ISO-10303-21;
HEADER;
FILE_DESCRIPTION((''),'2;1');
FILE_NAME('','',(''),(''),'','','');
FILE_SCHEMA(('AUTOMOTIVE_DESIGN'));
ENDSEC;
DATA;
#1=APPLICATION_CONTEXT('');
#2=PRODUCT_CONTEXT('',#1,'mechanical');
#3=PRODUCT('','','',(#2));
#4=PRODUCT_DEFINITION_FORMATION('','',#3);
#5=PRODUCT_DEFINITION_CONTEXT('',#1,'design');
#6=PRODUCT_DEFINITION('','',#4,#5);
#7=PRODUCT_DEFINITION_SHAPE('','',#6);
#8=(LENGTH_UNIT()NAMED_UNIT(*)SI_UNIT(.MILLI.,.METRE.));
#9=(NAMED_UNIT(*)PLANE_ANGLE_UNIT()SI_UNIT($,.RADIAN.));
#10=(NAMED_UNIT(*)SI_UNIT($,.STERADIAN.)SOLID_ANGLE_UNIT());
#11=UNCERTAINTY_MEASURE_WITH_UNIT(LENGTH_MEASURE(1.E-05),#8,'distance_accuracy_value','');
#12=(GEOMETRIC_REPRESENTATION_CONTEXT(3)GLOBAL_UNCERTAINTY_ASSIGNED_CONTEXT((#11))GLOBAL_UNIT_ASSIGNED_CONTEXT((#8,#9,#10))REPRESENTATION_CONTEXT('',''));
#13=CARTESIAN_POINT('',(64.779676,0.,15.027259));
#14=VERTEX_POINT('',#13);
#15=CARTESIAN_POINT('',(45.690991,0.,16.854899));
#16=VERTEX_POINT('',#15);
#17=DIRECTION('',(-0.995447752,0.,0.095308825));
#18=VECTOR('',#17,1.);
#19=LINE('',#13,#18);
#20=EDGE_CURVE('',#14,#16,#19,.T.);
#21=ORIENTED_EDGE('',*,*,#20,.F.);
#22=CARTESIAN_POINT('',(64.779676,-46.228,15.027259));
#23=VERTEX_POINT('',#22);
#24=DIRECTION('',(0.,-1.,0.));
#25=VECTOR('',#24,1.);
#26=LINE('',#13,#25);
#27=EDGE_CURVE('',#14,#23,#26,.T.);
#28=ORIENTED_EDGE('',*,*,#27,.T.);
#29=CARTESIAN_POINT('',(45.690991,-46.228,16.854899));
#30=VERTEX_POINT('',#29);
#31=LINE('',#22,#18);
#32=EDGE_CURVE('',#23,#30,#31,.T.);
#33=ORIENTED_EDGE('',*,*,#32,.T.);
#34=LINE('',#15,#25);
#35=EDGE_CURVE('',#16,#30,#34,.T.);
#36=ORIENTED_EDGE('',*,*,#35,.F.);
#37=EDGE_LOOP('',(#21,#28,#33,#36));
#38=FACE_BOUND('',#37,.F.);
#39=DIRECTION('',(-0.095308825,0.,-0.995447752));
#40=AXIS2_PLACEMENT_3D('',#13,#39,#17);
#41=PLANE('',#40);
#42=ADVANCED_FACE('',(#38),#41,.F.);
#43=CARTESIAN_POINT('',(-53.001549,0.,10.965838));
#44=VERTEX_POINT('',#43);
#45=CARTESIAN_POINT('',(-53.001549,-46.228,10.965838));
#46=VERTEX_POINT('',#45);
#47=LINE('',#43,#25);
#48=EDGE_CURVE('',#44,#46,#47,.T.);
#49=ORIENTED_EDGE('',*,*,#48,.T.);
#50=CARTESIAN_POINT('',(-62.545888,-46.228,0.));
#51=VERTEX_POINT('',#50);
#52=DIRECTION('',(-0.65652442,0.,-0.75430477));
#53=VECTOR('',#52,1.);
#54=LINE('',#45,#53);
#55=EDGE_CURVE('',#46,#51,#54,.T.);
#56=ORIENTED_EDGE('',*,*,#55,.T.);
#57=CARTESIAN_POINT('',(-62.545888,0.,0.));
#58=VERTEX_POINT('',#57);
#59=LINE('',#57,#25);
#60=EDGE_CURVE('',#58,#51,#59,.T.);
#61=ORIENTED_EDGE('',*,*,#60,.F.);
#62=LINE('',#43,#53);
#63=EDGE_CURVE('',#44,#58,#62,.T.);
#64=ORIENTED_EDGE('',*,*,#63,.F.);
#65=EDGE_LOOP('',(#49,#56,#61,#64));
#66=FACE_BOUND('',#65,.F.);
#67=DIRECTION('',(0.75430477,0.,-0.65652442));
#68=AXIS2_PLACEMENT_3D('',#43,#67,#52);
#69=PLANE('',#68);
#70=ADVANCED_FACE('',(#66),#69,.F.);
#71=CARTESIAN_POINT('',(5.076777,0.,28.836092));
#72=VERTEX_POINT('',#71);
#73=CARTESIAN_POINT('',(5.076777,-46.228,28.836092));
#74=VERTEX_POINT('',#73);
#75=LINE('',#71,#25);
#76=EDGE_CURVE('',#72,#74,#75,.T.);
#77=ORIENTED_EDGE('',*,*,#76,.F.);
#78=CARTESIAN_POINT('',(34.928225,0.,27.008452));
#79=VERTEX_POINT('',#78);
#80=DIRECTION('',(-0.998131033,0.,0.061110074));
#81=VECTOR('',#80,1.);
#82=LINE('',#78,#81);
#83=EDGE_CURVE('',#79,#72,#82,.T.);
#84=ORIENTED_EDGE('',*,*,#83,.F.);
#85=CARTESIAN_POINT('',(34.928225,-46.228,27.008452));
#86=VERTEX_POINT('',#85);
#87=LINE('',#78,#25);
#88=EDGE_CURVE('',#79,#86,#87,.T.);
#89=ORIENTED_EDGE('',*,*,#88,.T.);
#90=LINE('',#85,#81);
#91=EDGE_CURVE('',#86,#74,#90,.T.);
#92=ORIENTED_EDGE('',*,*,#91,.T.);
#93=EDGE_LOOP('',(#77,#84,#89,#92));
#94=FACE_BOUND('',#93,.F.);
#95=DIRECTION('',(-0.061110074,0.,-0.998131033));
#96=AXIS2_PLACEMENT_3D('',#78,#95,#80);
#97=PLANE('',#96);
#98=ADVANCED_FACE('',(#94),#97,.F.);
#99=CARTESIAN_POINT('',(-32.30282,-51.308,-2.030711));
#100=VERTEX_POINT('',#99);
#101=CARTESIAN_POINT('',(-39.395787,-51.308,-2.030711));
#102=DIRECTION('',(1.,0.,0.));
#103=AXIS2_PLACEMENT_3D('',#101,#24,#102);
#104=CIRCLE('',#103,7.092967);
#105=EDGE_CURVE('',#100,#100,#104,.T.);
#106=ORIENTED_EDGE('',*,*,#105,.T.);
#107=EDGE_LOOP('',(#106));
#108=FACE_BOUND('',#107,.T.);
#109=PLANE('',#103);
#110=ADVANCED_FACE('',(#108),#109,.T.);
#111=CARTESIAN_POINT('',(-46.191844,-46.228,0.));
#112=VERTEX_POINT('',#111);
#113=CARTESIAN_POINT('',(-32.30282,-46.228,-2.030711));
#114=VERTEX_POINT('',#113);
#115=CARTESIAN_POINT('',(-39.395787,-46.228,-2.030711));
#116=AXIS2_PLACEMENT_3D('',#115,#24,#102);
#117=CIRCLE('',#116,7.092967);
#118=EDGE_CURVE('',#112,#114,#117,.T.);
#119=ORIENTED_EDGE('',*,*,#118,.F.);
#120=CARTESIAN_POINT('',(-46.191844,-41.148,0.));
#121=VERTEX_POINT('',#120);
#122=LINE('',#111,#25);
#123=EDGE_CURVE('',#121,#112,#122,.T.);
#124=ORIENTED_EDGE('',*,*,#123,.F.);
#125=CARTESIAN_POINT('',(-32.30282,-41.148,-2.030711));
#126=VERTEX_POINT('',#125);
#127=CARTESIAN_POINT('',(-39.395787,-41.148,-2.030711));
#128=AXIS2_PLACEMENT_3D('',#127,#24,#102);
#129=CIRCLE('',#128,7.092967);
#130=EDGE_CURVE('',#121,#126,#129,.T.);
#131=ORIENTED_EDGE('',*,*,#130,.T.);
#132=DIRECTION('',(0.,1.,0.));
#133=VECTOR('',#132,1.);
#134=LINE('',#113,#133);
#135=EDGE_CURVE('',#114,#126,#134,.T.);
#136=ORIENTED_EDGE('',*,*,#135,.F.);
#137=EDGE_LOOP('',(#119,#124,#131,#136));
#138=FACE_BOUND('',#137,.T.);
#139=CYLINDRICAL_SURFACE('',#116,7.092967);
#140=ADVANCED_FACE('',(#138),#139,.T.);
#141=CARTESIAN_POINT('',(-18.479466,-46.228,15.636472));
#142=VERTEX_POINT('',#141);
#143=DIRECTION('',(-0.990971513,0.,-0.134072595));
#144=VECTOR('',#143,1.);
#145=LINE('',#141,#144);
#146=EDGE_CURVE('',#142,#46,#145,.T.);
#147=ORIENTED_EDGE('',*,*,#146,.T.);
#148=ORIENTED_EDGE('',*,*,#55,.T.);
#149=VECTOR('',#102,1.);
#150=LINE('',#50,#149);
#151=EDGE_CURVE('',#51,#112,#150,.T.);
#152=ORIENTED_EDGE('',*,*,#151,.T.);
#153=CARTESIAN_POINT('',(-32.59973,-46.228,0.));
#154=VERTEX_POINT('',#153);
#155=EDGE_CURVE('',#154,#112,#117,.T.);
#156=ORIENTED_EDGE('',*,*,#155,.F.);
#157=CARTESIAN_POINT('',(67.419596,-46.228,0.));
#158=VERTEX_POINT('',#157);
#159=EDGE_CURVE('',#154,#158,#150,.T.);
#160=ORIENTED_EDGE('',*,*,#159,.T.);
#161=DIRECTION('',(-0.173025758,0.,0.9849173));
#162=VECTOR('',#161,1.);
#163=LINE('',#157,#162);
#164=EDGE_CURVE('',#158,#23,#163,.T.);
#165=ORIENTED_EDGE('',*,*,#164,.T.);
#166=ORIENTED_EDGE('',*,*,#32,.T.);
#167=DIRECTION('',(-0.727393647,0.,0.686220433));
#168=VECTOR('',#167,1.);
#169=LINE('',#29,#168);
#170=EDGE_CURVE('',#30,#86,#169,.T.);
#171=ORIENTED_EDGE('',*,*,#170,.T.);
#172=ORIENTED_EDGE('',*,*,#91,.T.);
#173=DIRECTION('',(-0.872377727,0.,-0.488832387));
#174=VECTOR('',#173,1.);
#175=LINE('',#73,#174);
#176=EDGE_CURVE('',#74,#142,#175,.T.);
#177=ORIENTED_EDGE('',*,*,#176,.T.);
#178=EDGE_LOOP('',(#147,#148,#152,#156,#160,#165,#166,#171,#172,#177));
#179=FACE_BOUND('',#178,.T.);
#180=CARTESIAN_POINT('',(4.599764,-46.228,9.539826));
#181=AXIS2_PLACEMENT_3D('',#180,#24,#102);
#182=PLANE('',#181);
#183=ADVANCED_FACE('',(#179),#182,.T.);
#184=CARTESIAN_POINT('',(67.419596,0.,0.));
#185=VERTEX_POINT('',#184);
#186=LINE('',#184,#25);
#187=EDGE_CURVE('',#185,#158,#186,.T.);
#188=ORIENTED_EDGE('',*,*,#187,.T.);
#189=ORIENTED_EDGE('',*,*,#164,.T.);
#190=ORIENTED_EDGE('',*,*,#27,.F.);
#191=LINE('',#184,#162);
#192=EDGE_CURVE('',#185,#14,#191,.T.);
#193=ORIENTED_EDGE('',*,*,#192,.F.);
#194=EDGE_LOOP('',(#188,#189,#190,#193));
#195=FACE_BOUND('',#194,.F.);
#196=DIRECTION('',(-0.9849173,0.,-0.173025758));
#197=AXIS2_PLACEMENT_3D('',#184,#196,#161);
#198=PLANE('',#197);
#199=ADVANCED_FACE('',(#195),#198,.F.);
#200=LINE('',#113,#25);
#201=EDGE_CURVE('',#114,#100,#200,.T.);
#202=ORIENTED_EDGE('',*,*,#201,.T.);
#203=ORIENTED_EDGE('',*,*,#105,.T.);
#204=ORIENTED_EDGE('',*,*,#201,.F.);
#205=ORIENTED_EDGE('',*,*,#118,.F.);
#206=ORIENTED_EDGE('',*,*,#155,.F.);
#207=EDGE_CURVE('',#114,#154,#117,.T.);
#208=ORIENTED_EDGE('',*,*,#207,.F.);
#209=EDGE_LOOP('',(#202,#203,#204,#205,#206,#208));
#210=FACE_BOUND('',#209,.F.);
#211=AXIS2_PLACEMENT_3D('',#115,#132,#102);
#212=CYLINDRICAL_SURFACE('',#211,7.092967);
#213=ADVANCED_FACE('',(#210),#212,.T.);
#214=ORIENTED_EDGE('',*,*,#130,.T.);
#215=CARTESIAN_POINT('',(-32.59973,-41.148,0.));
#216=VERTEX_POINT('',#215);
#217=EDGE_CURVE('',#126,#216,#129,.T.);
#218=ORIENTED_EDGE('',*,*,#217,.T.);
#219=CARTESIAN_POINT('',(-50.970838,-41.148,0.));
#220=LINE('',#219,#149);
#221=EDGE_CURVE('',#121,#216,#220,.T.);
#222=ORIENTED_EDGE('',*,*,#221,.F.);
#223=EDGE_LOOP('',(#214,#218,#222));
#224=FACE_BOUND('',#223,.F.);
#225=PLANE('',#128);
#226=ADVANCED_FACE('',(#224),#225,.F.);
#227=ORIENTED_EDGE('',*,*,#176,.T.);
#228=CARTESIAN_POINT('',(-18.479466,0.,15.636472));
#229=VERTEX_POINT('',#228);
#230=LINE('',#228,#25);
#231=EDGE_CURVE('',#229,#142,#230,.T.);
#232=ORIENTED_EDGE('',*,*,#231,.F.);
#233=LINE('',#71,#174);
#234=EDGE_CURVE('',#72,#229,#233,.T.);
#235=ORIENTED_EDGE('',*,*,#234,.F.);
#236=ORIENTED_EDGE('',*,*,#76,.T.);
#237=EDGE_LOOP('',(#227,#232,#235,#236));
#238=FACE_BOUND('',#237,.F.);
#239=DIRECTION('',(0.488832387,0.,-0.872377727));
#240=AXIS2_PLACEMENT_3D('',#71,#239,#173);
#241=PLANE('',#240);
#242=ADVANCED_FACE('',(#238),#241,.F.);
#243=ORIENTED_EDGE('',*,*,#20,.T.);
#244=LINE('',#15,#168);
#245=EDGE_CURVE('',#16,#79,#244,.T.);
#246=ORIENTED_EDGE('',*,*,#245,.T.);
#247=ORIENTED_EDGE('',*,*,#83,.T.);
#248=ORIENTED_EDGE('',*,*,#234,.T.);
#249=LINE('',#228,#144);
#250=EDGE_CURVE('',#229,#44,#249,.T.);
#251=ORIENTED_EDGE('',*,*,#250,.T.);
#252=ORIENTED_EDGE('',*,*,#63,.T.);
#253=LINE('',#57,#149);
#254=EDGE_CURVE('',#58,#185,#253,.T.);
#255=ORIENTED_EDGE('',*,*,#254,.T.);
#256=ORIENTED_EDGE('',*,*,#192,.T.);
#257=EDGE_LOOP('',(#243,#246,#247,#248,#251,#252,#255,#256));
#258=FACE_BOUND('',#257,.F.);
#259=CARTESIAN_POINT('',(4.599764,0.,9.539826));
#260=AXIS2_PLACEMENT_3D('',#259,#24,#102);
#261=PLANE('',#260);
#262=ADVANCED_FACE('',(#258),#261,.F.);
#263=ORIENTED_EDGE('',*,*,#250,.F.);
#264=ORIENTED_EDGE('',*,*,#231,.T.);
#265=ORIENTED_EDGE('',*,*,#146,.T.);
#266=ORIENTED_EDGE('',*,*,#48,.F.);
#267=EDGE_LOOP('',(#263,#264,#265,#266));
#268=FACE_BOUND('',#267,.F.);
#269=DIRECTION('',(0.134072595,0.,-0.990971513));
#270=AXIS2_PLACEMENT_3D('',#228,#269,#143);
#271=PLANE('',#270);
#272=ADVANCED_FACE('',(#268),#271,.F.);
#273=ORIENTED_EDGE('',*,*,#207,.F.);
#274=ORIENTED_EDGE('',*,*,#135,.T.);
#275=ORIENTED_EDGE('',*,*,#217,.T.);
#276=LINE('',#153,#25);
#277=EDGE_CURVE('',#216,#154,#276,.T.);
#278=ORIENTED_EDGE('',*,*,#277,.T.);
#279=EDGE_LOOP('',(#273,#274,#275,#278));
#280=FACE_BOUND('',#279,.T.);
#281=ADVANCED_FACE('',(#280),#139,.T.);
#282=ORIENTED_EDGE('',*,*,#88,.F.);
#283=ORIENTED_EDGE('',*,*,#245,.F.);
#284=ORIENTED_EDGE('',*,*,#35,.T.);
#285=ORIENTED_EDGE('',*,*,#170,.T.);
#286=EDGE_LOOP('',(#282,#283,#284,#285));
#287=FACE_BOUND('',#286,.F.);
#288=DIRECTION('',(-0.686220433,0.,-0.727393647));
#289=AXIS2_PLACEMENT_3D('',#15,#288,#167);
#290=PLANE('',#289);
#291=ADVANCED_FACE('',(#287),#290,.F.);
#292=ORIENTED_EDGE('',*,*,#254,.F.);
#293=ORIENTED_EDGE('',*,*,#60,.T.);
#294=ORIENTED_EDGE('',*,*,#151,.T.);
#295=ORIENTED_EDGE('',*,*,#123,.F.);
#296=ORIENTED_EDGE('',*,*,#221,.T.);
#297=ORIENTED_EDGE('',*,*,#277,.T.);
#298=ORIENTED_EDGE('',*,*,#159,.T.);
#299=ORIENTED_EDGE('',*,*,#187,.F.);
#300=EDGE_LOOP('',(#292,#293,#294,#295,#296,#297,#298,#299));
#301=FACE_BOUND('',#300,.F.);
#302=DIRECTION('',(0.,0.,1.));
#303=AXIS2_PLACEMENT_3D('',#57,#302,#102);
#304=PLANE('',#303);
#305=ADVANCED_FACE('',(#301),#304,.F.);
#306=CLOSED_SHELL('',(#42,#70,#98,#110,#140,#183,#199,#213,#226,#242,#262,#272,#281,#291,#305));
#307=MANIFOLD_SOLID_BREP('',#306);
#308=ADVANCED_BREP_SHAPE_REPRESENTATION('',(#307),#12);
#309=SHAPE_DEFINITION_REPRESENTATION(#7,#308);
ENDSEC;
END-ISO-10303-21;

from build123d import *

# Parameters (mm, degrees)
F1_DEPTH      = 46.228
F2_R          = 7.092967
F3_DEPTH      = 5.08
F3_DEPTH_BACK = 5.08


with BuildPart() as f1:
    # F0 (on Front) → F1 (new body)
    with BuildSketch(Plane.XZ):
        Polygon((-53.001549, 10.965838), (-62.545888, 0), (67.419596, 0), (64.779676, 15.027259), (45.690991, 16.854899), (34.928225, 27.008452), (5.076777, 28.836092), (-18.479466, 15.636472), align=None)
    extrude(amount=F1_DEPTH)

    # F2 (on face) → F3 (join, two sides)
    with BuildSketch(Plane.XZ.offset(46.228)) as f3_sk:
        with Locations((-39.395787, -2.030711)):
            Circle(F2_R)
    extrude(amount=F3_DEPTH)
    extrude(f3_sk.sketch, amount=-F3_DEPTH_BACK)


solid = f1.part
